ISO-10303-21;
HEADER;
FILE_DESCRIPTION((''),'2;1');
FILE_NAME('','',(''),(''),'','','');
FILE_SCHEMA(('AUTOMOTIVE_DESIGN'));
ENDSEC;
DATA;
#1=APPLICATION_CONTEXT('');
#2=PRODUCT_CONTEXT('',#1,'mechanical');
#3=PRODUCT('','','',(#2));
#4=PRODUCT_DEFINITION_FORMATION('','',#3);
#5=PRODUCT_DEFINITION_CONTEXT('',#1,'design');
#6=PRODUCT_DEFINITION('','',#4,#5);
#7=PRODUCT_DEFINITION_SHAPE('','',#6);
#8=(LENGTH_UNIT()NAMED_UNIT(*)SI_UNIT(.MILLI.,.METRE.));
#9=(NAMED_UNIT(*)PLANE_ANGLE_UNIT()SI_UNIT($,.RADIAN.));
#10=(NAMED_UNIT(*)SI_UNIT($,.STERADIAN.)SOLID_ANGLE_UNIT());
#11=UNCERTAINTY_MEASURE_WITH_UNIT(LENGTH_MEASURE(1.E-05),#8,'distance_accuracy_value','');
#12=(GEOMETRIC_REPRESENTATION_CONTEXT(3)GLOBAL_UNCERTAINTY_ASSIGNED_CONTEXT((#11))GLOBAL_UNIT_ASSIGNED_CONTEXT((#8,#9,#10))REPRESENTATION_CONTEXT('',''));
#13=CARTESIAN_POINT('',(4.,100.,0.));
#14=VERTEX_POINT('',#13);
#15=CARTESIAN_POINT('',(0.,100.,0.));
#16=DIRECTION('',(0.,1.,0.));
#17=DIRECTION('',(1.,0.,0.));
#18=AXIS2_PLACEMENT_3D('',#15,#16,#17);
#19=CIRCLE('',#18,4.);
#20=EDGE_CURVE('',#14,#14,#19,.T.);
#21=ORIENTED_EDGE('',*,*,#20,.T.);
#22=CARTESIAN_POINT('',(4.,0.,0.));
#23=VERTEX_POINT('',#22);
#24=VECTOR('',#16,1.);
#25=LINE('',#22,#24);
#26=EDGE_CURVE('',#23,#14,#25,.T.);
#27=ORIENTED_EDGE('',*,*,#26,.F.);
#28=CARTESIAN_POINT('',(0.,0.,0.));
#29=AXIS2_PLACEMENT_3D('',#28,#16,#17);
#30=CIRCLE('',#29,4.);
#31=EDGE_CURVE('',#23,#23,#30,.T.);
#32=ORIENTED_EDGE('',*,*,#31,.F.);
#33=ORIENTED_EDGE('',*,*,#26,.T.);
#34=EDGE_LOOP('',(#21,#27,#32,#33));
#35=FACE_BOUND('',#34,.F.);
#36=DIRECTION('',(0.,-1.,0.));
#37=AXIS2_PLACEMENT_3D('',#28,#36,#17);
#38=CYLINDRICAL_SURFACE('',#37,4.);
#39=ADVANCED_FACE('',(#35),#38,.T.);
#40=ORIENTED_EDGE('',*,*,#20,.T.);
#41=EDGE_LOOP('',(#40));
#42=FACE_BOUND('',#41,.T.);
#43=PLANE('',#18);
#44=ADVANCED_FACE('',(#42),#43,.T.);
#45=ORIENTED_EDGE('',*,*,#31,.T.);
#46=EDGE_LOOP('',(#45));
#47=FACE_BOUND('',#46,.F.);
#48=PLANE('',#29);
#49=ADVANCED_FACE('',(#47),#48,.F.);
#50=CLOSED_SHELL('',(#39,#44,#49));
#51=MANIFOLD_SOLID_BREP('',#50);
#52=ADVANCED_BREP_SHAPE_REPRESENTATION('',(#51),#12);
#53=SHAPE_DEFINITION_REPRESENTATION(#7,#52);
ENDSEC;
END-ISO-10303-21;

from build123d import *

# Parameters (mm, degrees)
SKETCH_1_R      = 4
EXTRUDE_1_DEPTH = 100


with BuildPart() as part:
    # 草图1 → 凸台-拉伸1 (new body)
    with BuildSketch(Plane(origin=(0, 0, 0), x_dir=(1, 0, 0), z_dir=(0, 1, 0))):
        Circle(SKETCH_1_R)
    extrude(amount=EXTRUDE_1_DEPTH)


solid = part.part
